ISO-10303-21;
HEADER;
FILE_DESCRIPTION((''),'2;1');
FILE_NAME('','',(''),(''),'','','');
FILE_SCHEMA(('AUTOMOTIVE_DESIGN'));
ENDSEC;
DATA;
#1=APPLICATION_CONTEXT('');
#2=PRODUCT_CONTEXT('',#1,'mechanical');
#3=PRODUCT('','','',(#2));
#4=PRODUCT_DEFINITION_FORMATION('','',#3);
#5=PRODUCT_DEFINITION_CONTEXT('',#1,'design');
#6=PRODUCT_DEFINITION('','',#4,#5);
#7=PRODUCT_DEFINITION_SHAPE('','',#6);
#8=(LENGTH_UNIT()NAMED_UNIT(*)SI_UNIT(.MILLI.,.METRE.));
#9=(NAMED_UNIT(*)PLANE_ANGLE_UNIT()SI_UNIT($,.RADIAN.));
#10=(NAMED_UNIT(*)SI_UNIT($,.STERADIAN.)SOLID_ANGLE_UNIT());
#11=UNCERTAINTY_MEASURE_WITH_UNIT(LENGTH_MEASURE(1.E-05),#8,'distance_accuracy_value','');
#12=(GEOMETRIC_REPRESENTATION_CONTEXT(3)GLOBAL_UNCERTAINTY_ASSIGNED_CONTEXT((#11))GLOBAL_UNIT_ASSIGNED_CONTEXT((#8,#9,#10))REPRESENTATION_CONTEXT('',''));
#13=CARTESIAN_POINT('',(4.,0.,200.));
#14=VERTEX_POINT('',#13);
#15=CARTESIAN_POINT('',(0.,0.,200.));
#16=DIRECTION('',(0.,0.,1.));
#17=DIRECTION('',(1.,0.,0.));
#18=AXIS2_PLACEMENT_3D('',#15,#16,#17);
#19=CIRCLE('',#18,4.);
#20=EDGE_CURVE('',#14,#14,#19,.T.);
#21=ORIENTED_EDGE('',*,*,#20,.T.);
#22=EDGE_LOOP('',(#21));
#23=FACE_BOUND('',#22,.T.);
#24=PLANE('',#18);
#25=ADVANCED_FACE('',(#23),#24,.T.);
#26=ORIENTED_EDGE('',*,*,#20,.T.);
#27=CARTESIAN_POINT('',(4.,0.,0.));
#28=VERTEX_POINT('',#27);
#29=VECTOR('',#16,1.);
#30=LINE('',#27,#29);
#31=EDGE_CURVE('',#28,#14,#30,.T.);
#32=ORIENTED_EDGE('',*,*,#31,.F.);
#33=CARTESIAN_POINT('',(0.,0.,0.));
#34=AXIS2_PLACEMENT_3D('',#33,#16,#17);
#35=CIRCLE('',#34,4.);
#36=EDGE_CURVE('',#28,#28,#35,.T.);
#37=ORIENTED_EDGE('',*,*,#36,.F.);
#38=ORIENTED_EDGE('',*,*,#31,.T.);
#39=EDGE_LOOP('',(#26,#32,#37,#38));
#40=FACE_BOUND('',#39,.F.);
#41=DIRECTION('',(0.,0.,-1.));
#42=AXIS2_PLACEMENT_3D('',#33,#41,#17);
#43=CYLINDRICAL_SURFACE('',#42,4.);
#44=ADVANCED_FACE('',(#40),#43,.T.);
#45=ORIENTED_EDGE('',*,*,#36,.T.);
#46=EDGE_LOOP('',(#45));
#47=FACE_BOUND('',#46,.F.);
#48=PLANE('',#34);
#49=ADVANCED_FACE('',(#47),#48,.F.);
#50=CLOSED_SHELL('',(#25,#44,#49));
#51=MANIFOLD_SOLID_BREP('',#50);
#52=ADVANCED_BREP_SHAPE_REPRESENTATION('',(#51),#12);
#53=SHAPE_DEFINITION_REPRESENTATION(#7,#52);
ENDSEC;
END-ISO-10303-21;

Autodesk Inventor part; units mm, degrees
ref_plane "YZ Plane" through (0, 0, 0) normal (1, 0, 0) x (0, 1, 0)
ref_plane "XZ Plane" through (0, 0, 0) normal (0, 1, 0) x (-1, 0, 0)
ref_plane "XY Plane" through (0, 0, 0) normal (0, 0, 1) x (1, 0, 0)
sketch "Esboço1" plane through (0, 0, 0) normal (0, 0, 1) x (1, 0, 0)
  circle A0 centre (0, 0) radius 4
  dimension "d0" = 8
extrude "Extrusão1" add sketch "Esboço1" along normal blind 200
properties part number "GuiaLinear_8mmx200mm"
